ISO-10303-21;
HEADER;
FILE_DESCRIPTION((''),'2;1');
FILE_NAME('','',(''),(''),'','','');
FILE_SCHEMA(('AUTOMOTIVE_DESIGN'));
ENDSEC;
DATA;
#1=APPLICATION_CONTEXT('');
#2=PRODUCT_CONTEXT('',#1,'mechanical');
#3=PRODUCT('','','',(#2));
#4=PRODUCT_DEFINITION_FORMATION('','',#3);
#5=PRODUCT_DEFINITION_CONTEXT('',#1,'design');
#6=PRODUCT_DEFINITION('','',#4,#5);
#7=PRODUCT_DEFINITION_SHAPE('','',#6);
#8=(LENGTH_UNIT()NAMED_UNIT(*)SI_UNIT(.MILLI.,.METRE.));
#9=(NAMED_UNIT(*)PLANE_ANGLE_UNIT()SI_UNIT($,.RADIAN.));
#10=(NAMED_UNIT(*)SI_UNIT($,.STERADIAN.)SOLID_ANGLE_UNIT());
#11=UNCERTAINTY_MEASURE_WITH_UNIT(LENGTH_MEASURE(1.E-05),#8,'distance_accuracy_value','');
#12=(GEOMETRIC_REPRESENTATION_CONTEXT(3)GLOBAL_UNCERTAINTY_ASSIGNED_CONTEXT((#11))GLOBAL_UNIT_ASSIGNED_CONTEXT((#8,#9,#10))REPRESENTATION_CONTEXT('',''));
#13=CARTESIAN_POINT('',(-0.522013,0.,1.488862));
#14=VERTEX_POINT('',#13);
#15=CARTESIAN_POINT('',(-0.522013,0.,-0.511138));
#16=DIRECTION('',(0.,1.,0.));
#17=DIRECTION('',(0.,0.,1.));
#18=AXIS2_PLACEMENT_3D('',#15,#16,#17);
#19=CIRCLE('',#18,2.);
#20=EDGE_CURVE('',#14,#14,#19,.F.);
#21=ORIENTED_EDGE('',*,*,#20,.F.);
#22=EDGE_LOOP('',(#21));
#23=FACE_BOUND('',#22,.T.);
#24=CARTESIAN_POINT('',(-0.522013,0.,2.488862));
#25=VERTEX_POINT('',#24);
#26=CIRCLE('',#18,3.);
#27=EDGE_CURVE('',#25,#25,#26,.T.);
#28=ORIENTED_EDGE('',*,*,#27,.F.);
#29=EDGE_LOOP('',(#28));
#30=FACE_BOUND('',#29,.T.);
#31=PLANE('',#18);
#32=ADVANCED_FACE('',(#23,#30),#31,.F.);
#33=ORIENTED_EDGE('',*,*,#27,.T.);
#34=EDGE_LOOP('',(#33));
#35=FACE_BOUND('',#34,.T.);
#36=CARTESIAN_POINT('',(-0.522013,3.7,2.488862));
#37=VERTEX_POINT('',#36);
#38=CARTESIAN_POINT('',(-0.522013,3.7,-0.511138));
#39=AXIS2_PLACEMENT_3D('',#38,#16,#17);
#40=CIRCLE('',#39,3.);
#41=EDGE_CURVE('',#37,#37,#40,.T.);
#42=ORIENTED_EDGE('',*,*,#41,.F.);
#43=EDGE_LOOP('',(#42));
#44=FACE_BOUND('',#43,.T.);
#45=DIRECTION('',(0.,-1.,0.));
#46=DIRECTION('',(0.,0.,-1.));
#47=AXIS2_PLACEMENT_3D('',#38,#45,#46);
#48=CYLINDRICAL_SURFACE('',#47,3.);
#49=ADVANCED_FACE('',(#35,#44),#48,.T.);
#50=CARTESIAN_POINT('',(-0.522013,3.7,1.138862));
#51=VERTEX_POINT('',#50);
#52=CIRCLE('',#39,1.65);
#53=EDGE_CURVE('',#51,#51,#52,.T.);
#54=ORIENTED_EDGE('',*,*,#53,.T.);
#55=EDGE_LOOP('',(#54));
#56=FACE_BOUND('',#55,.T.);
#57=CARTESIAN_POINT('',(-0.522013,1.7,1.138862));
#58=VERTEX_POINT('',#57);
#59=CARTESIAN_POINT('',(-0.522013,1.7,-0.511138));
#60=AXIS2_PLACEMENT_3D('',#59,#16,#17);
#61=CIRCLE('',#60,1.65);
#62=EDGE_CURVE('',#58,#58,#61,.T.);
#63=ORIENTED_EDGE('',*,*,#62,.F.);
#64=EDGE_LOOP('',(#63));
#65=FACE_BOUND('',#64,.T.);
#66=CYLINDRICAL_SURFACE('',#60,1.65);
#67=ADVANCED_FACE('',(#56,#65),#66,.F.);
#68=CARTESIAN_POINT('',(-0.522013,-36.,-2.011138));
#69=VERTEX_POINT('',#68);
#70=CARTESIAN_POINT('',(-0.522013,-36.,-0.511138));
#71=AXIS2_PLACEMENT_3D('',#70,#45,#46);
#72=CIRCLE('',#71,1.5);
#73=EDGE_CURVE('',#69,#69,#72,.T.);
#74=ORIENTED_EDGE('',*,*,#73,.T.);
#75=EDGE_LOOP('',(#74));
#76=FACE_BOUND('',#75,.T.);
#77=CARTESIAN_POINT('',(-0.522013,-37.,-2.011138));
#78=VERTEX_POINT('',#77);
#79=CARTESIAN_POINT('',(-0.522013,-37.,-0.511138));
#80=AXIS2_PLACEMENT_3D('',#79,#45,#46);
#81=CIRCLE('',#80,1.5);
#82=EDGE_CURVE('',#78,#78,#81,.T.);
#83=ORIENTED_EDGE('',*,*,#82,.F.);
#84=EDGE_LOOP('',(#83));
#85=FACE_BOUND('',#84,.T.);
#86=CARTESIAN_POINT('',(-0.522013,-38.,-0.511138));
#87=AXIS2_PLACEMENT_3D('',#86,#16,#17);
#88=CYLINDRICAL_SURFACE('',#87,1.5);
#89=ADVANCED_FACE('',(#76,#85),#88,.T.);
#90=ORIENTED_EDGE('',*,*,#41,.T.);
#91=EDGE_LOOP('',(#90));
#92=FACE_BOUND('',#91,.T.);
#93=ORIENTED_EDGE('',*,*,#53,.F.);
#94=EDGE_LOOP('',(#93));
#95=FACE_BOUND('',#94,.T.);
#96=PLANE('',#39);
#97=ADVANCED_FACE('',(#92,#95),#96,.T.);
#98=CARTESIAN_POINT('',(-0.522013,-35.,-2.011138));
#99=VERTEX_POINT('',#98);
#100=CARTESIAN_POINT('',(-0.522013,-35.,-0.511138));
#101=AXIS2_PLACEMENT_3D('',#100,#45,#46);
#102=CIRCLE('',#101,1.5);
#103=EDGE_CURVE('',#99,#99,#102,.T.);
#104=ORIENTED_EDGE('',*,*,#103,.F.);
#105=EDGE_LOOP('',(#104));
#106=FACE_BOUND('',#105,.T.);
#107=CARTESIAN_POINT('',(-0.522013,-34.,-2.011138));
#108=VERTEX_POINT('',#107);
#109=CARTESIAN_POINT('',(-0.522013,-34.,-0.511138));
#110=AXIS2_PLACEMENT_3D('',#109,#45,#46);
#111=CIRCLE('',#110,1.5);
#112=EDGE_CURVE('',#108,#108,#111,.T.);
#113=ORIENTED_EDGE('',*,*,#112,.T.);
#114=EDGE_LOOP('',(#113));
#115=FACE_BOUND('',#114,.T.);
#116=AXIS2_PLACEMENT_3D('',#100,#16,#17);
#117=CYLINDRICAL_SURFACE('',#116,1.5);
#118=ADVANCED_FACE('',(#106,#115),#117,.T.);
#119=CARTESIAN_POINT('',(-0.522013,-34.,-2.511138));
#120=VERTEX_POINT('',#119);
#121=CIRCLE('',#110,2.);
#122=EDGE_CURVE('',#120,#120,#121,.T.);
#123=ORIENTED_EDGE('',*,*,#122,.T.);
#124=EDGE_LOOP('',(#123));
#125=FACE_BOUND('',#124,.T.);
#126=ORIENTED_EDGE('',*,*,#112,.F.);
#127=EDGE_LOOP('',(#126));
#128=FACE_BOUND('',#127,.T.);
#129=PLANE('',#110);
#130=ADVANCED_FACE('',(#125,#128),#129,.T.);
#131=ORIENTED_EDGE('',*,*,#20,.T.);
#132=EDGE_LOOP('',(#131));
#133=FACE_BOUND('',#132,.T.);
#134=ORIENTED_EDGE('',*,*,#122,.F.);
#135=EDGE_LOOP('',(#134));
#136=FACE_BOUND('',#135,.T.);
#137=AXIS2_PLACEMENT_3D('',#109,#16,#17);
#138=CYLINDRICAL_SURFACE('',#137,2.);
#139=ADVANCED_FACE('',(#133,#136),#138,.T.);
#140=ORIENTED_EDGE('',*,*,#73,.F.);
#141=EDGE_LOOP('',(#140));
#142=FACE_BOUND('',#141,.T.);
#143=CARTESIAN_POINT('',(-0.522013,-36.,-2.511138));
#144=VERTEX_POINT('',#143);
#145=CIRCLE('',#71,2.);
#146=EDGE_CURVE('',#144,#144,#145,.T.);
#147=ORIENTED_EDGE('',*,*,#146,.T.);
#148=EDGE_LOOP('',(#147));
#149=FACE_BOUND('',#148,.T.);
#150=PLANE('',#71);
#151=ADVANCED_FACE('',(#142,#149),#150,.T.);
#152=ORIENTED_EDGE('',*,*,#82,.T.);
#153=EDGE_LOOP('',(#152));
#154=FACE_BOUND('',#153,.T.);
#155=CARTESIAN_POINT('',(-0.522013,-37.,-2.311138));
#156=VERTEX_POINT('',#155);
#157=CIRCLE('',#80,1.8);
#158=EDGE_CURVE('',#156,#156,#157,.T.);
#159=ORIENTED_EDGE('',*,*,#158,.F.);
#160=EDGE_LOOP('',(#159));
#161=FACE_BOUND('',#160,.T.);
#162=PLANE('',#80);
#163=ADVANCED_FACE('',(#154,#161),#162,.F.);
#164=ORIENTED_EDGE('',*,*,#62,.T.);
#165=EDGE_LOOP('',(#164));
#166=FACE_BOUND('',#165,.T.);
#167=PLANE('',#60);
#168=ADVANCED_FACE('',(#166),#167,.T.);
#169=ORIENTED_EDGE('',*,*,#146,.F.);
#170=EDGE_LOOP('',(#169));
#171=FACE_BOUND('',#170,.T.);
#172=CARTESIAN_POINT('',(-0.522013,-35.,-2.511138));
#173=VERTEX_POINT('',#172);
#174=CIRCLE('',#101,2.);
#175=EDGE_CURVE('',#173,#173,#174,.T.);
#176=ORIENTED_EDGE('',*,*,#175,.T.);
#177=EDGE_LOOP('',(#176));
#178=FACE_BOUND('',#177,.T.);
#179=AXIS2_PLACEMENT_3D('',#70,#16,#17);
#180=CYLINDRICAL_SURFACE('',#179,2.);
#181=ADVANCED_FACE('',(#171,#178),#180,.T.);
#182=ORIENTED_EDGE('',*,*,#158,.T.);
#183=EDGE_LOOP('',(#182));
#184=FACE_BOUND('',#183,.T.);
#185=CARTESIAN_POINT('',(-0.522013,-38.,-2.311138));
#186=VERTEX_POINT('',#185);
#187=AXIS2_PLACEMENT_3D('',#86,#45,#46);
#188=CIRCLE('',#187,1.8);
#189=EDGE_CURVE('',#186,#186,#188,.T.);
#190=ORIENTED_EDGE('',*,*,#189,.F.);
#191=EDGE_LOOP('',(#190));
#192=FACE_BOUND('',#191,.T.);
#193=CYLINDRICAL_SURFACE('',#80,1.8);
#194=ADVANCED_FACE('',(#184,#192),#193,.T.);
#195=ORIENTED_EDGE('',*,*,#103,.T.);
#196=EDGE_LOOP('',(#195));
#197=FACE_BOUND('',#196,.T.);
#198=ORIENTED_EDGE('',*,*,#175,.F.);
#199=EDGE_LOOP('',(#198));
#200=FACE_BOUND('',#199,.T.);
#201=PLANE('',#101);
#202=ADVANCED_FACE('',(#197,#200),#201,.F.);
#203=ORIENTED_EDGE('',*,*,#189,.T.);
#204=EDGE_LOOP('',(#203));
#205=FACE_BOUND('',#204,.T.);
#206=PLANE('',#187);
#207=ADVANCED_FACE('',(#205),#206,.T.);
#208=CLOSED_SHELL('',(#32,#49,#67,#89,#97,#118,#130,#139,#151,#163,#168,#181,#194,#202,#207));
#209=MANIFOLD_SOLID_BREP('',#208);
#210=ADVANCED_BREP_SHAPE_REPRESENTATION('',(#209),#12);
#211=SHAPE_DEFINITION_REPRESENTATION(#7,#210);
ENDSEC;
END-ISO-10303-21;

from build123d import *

# Parameters (mm, degrees)
SKETCH1_R           = 3
BOSS_EXTRUDE1_DEPTH = 3.7
SKETCH1_3_R         = 1.6
BOSS_EXTRUDE2_DEPTH = 1
SKETCH5_R           = 1.5
BOSS_EXTRUDE3_DEPTH = 35
SKETCH6_R           = 2
BOSS_EXTRUDE4_DEPTH = 1
SKETCH8_R           = 1.5
BOSS_EXTRUDE5_DEPTH = 2
SKETCH10_R          = 1.8
BOSS_EXTRUDE6_DEPTH = 1
SKETCH12_R          = 1.65
CUT_EXTRUDE1_DEPTH  = 2
SKETCH13_R          = 2
BOSS_EXTRUDE7_DEPTH = 34


with BuildPart() as part:
    # Sketch1 → Boss-Extrude1 (new body)
    with BuildSketch(Plane(origin=(0, 0, 0), x_dir=(1, 0, 0), z_dir=(0, 1, 0))):
        with Locations((-0.522013312, 0.511138034)):
            Circle(SKETCH1_R)
    extrude(amount=BOSS_EXTRUDE1_DEPTH)

    # Sketch1<3> → Boss-Extrude2 (add)
    with BuildSketch(Plane(origin=(0, 0, 0), x_dir=(1, 0, 0), z_dir=(0, 1, 0))):
        with Locations((-0.522013312, 0.511138034)):
            Circle(SKETCH1_3_R)
    extrude(amount=BOSS_EXTRUDE2_DEPTH)

    # Sketch5 → Boss-Extrude3 (add)
    with BuildSketch(Plane.XZ):
        with Locations((-0.522013312, -0.511138034)):
            Circle(SKETCH5_R)
    extrude(amount=BOSS_EXTRUDE3_DEPTH)

    # Sketch6 → Boss-Extrude4 (add)
    with BuildSketch(Plane.XZ.offset(35)):
        with Locations((-0.522013312, -0.511138034)):
            Circle(SKETCH6_R)
    extrude(amount=BOSS_EXTRUDE4_DEPTH)

    # Sketch8 → Boss-Extrude5 (add)
    with BuildSketch(Plane(origin=(0, -36, 0), x_dir=(-1, 0, 0), z_dir=(0, -1, 0))):
        with Locations((0.522013312, 0.511138034)):
            Circle(SKETCH8_R)
    extrude(amount=BOSS_EXTRUDE5_DEPTH)

    # Sketch10 → Boss-Extrude6 (add)
    with BuildSketch(Plane.XZ.offset(38)):
        with Locations((-0.522013312, -0.511138034)):
            Circle(SKETCH10_R)
    extrude(amount=-BOSS_EXTRUDE6_DEPTH)

    # Sketch12 → Cut-Extrude1 (cut)
    with BuildSketch(Plane(origin=(0, 3.7, 0), x_dir=(1, 0, 0), z_dir=(0, 1, 0))):
        with Locations((-0.522013312, 0.511138034)):
            Circle(SKETCH12_R)
    extrude(amount=-CUT_EXTRUDE1_DEPTH, mode=Mode.SUBTRACT)

    # Sketch13 → Boss-Extrude7 (add)
    with BuildSketch(Plane.XZ):
        with Locations((-0.522013312, -0.511138034)):
            Circle(SKETCH13_R)
    extrude(amount=BOSS_EXTRUDE7_DEPTH)


solid = part.part
